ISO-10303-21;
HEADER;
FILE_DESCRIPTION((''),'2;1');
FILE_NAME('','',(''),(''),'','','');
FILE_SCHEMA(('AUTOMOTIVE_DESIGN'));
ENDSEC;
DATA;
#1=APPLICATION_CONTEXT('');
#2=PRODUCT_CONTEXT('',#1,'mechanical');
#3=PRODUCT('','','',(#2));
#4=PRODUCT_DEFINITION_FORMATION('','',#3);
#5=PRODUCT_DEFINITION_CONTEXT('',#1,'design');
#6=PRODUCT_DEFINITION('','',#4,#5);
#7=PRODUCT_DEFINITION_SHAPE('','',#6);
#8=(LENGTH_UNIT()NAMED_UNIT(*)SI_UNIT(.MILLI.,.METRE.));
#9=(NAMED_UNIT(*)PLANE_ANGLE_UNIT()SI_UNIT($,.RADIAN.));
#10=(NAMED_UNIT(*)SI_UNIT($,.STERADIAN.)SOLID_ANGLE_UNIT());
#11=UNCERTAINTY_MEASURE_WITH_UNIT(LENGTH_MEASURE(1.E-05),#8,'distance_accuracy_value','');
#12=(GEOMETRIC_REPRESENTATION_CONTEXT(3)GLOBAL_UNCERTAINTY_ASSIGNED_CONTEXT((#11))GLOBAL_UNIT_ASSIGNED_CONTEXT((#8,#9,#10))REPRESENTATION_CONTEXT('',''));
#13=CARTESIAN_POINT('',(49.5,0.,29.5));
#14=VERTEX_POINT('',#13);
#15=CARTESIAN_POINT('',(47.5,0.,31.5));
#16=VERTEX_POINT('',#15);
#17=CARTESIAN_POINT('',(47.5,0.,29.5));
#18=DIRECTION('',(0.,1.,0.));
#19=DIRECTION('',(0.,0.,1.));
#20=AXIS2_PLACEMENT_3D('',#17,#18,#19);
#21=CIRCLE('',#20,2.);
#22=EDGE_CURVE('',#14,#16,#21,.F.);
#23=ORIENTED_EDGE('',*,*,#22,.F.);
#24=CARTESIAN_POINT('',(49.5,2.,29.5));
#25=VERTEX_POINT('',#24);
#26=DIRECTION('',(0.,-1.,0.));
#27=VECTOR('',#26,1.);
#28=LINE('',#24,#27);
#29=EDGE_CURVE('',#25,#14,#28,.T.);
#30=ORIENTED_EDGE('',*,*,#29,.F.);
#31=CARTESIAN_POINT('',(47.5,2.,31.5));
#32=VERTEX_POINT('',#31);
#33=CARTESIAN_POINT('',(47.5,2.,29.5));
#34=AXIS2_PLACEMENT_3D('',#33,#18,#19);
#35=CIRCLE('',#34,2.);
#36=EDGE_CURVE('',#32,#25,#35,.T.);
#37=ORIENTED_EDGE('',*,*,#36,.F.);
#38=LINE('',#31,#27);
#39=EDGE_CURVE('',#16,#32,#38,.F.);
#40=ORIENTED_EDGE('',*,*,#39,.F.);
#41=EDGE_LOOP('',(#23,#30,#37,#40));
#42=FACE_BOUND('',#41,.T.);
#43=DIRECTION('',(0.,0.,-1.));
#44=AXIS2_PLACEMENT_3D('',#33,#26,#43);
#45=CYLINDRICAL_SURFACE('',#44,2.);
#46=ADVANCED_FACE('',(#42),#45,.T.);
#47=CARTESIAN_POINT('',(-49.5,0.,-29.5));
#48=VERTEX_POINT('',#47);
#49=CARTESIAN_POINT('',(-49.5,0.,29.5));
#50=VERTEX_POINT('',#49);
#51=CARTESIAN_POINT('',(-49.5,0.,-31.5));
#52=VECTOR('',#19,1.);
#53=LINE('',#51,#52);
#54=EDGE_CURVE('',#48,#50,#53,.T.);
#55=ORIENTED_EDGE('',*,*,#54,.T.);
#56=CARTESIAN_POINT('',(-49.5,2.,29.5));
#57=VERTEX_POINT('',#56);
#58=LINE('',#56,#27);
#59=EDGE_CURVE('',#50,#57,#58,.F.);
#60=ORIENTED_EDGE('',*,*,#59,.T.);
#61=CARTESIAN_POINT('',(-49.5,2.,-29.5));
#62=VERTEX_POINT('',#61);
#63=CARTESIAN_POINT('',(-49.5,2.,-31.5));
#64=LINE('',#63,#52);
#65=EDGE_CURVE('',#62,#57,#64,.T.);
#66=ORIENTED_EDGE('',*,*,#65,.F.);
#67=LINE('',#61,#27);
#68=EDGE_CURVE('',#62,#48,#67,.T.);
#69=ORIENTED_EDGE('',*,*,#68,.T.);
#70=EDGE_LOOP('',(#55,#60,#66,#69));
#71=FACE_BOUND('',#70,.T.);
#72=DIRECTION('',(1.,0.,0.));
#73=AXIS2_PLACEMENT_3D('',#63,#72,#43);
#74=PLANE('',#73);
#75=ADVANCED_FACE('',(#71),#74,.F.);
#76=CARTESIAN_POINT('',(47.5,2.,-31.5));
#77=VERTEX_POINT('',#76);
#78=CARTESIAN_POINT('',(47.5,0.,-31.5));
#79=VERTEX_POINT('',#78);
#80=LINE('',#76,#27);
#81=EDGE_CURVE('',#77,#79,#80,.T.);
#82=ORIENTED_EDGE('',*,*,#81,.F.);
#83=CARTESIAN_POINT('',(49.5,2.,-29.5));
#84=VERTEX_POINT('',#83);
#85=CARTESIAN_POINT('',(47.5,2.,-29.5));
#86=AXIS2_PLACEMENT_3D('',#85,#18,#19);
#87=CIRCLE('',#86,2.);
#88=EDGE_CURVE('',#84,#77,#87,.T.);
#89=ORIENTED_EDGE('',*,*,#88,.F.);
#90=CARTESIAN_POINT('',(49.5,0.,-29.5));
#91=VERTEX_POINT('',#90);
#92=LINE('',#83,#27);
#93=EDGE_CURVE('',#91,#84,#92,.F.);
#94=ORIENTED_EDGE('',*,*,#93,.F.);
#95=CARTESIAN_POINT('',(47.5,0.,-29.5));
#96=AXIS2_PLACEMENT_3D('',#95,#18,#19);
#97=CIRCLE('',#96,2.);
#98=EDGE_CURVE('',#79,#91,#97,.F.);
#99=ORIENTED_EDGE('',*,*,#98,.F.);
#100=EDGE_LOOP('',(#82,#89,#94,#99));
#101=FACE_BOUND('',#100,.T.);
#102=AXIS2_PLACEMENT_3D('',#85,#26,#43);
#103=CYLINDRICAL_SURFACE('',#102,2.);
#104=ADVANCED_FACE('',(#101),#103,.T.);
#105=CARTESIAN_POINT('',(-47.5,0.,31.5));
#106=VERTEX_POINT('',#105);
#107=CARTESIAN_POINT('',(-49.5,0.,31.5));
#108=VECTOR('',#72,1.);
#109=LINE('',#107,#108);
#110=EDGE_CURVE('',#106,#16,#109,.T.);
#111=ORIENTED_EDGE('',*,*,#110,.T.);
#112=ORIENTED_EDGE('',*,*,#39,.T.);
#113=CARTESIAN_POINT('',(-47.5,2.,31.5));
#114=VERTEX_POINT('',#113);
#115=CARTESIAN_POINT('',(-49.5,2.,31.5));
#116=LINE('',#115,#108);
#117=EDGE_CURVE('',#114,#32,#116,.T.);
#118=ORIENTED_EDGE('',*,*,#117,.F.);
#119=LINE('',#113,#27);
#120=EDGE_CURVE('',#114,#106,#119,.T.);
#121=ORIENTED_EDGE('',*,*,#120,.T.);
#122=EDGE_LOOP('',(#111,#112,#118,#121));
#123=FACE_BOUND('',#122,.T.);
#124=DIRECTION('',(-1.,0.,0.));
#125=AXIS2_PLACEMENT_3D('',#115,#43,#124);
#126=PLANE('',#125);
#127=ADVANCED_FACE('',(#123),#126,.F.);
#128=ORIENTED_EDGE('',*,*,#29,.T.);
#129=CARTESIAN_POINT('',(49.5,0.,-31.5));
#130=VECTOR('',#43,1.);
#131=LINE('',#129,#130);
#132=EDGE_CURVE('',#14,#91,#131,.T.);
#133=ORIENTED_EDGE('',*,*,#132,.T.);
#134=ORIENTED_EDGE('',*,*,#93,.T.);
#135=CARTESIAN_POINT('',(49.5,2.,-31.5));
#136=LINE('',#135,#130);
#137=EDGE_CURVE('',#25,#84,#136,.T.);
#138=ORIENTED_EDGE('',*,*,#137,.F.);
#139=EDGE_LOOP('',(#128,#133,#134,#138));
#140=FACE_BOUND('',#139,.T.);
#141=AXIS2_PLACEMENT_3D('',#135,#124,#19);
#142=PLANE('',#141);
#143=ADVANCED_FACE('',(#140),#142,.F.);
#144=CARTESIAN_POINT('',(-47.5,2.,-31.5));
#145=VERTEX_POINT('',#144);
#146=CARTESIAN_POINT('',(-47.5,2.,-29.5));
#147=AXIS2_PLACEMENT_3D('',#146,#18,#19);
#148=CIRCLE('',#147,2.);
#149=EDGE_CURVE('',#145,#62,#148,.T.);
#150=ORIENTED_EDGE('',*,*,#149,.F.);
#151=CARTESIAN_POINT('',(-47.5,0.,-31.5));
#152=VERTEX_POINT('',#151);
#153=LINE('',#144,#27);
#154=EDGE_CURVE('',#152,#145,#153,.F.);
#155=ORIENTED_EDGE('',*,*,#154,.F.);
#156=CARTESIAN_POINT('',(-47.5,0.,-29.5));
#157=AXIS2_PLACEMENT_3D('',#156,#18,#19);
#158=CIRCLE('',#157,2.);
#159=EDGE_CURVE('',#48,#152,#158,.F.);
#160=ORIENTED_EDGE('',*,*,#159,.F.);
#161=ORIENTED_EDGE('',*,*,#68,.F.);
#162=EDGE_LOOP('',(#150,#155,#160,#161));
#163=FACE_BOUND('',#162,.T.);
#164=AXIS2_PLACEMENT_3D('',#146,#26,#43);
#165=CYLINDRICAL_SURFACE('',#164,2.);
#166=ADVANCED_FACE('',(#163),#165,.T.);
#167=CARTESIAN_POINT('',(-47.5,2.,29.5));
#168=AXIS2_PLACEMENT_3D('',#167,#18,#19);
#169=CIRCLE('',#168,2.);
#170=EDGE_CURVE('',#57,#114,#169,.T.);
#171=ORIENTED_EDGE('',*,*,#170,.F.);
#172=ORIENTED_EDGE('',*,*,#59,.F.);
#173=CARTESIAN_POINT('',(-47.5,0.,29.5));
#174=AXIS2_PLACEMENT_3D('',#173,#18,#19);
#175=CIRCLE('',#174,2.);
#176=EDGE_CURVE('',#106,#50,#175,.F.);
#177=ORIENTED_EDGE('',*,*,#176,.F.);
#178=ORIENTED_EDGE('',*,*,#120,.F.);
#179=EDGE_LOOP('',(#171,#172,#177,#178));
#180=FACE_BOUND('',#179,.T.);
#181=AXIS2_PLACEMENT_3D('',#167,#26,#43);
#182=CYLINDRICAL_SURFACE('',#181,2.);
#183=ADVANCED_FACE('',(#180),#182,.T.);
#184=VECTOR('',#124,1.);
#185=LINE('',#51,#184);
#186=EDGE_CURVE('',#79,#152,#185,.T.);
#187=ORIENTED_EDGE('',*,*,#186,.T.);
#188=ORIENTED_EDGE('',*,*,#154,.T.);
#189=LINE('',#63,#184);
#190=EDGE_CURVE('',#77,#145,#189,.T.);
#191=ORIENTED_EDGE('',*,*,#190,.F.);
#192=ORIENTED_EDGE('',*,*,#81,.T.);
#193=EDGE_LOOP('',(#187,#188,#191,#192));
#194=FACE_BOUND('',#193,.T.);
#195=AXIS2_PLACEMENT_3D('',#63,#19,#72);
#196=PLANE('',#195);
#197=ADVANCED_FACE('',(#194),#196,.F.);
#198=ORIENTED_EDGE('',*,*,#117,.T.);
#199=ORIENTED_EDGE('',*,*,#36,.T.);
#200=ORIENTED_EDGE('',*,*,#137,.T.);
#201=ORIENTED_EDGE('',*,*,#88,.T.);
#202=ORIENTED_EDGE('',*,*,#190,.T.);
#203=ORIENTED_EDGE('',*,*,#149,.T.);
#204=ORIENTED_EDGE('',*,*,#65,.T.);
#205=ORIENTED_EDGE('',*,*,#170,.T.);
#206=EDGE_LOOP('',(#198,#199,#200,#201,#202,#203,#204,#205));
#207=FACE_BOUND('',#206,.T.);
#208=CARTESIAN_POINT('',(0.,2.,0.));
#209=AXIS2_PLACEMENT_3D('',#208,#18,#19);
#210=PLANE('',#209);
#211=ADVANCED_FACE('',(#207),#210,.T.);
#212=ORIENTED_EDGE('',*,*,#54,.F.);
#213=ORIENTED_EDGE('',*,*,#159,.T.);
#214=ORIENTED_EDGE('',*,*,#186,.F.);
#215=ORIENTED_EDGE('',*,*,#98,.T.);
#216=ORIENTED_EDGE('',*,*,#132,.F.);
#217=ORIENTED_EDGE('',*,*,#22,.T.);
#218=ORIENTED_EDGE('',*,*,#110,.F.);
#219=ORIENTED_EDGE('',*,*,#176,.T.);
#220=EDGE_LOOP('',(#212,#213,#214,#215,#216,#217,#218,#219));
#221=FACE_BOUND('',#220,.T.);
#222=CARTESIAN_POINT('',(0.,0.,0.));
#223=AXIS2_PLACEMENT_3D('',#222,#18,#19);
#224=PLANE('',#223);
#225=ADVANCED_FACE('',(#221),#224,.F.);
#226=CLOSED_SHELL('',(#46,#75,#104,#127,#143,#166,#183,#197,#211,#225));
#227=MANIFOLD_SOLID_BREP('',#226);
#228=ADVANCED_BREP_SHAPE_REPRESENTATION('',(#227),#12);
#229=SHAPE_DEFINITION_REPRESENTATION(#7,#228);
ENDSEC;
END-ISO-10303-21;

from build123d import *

# Parameters (mm, degrees)
SKETCH1_W           = 99
SKETCH1_H           = 63
BOSS_EXTRUDE1_DEPTH = 2
FILLET1_R           = 2


with BuildPart() as part:
    # Sketch1 → Boss-Extrude1 (new body)
    with BuildSketch(Plane(origin=(0, 0, 0), x_dir=(1, 0, 0), z_dir=(0, 1, 0))):
        Rectangle(SKETCH1_W, SKETCH1_H)
    extrude(amount=BOSS_EXTRUDE1_DEPTH)

    # Fillet1
    fillet1_edges = [part.edges().sort_by_distance(p)[0] for p in [
        (-49.5, 1, -31.5),
        (49.5, 1, -31.5),
        (49.5, 1, 31.5),
        (-49.5, 1, 31.5),
    ]]
    fillet(fillet1_edges, radius=FILLET1_R)


solid = part.part
